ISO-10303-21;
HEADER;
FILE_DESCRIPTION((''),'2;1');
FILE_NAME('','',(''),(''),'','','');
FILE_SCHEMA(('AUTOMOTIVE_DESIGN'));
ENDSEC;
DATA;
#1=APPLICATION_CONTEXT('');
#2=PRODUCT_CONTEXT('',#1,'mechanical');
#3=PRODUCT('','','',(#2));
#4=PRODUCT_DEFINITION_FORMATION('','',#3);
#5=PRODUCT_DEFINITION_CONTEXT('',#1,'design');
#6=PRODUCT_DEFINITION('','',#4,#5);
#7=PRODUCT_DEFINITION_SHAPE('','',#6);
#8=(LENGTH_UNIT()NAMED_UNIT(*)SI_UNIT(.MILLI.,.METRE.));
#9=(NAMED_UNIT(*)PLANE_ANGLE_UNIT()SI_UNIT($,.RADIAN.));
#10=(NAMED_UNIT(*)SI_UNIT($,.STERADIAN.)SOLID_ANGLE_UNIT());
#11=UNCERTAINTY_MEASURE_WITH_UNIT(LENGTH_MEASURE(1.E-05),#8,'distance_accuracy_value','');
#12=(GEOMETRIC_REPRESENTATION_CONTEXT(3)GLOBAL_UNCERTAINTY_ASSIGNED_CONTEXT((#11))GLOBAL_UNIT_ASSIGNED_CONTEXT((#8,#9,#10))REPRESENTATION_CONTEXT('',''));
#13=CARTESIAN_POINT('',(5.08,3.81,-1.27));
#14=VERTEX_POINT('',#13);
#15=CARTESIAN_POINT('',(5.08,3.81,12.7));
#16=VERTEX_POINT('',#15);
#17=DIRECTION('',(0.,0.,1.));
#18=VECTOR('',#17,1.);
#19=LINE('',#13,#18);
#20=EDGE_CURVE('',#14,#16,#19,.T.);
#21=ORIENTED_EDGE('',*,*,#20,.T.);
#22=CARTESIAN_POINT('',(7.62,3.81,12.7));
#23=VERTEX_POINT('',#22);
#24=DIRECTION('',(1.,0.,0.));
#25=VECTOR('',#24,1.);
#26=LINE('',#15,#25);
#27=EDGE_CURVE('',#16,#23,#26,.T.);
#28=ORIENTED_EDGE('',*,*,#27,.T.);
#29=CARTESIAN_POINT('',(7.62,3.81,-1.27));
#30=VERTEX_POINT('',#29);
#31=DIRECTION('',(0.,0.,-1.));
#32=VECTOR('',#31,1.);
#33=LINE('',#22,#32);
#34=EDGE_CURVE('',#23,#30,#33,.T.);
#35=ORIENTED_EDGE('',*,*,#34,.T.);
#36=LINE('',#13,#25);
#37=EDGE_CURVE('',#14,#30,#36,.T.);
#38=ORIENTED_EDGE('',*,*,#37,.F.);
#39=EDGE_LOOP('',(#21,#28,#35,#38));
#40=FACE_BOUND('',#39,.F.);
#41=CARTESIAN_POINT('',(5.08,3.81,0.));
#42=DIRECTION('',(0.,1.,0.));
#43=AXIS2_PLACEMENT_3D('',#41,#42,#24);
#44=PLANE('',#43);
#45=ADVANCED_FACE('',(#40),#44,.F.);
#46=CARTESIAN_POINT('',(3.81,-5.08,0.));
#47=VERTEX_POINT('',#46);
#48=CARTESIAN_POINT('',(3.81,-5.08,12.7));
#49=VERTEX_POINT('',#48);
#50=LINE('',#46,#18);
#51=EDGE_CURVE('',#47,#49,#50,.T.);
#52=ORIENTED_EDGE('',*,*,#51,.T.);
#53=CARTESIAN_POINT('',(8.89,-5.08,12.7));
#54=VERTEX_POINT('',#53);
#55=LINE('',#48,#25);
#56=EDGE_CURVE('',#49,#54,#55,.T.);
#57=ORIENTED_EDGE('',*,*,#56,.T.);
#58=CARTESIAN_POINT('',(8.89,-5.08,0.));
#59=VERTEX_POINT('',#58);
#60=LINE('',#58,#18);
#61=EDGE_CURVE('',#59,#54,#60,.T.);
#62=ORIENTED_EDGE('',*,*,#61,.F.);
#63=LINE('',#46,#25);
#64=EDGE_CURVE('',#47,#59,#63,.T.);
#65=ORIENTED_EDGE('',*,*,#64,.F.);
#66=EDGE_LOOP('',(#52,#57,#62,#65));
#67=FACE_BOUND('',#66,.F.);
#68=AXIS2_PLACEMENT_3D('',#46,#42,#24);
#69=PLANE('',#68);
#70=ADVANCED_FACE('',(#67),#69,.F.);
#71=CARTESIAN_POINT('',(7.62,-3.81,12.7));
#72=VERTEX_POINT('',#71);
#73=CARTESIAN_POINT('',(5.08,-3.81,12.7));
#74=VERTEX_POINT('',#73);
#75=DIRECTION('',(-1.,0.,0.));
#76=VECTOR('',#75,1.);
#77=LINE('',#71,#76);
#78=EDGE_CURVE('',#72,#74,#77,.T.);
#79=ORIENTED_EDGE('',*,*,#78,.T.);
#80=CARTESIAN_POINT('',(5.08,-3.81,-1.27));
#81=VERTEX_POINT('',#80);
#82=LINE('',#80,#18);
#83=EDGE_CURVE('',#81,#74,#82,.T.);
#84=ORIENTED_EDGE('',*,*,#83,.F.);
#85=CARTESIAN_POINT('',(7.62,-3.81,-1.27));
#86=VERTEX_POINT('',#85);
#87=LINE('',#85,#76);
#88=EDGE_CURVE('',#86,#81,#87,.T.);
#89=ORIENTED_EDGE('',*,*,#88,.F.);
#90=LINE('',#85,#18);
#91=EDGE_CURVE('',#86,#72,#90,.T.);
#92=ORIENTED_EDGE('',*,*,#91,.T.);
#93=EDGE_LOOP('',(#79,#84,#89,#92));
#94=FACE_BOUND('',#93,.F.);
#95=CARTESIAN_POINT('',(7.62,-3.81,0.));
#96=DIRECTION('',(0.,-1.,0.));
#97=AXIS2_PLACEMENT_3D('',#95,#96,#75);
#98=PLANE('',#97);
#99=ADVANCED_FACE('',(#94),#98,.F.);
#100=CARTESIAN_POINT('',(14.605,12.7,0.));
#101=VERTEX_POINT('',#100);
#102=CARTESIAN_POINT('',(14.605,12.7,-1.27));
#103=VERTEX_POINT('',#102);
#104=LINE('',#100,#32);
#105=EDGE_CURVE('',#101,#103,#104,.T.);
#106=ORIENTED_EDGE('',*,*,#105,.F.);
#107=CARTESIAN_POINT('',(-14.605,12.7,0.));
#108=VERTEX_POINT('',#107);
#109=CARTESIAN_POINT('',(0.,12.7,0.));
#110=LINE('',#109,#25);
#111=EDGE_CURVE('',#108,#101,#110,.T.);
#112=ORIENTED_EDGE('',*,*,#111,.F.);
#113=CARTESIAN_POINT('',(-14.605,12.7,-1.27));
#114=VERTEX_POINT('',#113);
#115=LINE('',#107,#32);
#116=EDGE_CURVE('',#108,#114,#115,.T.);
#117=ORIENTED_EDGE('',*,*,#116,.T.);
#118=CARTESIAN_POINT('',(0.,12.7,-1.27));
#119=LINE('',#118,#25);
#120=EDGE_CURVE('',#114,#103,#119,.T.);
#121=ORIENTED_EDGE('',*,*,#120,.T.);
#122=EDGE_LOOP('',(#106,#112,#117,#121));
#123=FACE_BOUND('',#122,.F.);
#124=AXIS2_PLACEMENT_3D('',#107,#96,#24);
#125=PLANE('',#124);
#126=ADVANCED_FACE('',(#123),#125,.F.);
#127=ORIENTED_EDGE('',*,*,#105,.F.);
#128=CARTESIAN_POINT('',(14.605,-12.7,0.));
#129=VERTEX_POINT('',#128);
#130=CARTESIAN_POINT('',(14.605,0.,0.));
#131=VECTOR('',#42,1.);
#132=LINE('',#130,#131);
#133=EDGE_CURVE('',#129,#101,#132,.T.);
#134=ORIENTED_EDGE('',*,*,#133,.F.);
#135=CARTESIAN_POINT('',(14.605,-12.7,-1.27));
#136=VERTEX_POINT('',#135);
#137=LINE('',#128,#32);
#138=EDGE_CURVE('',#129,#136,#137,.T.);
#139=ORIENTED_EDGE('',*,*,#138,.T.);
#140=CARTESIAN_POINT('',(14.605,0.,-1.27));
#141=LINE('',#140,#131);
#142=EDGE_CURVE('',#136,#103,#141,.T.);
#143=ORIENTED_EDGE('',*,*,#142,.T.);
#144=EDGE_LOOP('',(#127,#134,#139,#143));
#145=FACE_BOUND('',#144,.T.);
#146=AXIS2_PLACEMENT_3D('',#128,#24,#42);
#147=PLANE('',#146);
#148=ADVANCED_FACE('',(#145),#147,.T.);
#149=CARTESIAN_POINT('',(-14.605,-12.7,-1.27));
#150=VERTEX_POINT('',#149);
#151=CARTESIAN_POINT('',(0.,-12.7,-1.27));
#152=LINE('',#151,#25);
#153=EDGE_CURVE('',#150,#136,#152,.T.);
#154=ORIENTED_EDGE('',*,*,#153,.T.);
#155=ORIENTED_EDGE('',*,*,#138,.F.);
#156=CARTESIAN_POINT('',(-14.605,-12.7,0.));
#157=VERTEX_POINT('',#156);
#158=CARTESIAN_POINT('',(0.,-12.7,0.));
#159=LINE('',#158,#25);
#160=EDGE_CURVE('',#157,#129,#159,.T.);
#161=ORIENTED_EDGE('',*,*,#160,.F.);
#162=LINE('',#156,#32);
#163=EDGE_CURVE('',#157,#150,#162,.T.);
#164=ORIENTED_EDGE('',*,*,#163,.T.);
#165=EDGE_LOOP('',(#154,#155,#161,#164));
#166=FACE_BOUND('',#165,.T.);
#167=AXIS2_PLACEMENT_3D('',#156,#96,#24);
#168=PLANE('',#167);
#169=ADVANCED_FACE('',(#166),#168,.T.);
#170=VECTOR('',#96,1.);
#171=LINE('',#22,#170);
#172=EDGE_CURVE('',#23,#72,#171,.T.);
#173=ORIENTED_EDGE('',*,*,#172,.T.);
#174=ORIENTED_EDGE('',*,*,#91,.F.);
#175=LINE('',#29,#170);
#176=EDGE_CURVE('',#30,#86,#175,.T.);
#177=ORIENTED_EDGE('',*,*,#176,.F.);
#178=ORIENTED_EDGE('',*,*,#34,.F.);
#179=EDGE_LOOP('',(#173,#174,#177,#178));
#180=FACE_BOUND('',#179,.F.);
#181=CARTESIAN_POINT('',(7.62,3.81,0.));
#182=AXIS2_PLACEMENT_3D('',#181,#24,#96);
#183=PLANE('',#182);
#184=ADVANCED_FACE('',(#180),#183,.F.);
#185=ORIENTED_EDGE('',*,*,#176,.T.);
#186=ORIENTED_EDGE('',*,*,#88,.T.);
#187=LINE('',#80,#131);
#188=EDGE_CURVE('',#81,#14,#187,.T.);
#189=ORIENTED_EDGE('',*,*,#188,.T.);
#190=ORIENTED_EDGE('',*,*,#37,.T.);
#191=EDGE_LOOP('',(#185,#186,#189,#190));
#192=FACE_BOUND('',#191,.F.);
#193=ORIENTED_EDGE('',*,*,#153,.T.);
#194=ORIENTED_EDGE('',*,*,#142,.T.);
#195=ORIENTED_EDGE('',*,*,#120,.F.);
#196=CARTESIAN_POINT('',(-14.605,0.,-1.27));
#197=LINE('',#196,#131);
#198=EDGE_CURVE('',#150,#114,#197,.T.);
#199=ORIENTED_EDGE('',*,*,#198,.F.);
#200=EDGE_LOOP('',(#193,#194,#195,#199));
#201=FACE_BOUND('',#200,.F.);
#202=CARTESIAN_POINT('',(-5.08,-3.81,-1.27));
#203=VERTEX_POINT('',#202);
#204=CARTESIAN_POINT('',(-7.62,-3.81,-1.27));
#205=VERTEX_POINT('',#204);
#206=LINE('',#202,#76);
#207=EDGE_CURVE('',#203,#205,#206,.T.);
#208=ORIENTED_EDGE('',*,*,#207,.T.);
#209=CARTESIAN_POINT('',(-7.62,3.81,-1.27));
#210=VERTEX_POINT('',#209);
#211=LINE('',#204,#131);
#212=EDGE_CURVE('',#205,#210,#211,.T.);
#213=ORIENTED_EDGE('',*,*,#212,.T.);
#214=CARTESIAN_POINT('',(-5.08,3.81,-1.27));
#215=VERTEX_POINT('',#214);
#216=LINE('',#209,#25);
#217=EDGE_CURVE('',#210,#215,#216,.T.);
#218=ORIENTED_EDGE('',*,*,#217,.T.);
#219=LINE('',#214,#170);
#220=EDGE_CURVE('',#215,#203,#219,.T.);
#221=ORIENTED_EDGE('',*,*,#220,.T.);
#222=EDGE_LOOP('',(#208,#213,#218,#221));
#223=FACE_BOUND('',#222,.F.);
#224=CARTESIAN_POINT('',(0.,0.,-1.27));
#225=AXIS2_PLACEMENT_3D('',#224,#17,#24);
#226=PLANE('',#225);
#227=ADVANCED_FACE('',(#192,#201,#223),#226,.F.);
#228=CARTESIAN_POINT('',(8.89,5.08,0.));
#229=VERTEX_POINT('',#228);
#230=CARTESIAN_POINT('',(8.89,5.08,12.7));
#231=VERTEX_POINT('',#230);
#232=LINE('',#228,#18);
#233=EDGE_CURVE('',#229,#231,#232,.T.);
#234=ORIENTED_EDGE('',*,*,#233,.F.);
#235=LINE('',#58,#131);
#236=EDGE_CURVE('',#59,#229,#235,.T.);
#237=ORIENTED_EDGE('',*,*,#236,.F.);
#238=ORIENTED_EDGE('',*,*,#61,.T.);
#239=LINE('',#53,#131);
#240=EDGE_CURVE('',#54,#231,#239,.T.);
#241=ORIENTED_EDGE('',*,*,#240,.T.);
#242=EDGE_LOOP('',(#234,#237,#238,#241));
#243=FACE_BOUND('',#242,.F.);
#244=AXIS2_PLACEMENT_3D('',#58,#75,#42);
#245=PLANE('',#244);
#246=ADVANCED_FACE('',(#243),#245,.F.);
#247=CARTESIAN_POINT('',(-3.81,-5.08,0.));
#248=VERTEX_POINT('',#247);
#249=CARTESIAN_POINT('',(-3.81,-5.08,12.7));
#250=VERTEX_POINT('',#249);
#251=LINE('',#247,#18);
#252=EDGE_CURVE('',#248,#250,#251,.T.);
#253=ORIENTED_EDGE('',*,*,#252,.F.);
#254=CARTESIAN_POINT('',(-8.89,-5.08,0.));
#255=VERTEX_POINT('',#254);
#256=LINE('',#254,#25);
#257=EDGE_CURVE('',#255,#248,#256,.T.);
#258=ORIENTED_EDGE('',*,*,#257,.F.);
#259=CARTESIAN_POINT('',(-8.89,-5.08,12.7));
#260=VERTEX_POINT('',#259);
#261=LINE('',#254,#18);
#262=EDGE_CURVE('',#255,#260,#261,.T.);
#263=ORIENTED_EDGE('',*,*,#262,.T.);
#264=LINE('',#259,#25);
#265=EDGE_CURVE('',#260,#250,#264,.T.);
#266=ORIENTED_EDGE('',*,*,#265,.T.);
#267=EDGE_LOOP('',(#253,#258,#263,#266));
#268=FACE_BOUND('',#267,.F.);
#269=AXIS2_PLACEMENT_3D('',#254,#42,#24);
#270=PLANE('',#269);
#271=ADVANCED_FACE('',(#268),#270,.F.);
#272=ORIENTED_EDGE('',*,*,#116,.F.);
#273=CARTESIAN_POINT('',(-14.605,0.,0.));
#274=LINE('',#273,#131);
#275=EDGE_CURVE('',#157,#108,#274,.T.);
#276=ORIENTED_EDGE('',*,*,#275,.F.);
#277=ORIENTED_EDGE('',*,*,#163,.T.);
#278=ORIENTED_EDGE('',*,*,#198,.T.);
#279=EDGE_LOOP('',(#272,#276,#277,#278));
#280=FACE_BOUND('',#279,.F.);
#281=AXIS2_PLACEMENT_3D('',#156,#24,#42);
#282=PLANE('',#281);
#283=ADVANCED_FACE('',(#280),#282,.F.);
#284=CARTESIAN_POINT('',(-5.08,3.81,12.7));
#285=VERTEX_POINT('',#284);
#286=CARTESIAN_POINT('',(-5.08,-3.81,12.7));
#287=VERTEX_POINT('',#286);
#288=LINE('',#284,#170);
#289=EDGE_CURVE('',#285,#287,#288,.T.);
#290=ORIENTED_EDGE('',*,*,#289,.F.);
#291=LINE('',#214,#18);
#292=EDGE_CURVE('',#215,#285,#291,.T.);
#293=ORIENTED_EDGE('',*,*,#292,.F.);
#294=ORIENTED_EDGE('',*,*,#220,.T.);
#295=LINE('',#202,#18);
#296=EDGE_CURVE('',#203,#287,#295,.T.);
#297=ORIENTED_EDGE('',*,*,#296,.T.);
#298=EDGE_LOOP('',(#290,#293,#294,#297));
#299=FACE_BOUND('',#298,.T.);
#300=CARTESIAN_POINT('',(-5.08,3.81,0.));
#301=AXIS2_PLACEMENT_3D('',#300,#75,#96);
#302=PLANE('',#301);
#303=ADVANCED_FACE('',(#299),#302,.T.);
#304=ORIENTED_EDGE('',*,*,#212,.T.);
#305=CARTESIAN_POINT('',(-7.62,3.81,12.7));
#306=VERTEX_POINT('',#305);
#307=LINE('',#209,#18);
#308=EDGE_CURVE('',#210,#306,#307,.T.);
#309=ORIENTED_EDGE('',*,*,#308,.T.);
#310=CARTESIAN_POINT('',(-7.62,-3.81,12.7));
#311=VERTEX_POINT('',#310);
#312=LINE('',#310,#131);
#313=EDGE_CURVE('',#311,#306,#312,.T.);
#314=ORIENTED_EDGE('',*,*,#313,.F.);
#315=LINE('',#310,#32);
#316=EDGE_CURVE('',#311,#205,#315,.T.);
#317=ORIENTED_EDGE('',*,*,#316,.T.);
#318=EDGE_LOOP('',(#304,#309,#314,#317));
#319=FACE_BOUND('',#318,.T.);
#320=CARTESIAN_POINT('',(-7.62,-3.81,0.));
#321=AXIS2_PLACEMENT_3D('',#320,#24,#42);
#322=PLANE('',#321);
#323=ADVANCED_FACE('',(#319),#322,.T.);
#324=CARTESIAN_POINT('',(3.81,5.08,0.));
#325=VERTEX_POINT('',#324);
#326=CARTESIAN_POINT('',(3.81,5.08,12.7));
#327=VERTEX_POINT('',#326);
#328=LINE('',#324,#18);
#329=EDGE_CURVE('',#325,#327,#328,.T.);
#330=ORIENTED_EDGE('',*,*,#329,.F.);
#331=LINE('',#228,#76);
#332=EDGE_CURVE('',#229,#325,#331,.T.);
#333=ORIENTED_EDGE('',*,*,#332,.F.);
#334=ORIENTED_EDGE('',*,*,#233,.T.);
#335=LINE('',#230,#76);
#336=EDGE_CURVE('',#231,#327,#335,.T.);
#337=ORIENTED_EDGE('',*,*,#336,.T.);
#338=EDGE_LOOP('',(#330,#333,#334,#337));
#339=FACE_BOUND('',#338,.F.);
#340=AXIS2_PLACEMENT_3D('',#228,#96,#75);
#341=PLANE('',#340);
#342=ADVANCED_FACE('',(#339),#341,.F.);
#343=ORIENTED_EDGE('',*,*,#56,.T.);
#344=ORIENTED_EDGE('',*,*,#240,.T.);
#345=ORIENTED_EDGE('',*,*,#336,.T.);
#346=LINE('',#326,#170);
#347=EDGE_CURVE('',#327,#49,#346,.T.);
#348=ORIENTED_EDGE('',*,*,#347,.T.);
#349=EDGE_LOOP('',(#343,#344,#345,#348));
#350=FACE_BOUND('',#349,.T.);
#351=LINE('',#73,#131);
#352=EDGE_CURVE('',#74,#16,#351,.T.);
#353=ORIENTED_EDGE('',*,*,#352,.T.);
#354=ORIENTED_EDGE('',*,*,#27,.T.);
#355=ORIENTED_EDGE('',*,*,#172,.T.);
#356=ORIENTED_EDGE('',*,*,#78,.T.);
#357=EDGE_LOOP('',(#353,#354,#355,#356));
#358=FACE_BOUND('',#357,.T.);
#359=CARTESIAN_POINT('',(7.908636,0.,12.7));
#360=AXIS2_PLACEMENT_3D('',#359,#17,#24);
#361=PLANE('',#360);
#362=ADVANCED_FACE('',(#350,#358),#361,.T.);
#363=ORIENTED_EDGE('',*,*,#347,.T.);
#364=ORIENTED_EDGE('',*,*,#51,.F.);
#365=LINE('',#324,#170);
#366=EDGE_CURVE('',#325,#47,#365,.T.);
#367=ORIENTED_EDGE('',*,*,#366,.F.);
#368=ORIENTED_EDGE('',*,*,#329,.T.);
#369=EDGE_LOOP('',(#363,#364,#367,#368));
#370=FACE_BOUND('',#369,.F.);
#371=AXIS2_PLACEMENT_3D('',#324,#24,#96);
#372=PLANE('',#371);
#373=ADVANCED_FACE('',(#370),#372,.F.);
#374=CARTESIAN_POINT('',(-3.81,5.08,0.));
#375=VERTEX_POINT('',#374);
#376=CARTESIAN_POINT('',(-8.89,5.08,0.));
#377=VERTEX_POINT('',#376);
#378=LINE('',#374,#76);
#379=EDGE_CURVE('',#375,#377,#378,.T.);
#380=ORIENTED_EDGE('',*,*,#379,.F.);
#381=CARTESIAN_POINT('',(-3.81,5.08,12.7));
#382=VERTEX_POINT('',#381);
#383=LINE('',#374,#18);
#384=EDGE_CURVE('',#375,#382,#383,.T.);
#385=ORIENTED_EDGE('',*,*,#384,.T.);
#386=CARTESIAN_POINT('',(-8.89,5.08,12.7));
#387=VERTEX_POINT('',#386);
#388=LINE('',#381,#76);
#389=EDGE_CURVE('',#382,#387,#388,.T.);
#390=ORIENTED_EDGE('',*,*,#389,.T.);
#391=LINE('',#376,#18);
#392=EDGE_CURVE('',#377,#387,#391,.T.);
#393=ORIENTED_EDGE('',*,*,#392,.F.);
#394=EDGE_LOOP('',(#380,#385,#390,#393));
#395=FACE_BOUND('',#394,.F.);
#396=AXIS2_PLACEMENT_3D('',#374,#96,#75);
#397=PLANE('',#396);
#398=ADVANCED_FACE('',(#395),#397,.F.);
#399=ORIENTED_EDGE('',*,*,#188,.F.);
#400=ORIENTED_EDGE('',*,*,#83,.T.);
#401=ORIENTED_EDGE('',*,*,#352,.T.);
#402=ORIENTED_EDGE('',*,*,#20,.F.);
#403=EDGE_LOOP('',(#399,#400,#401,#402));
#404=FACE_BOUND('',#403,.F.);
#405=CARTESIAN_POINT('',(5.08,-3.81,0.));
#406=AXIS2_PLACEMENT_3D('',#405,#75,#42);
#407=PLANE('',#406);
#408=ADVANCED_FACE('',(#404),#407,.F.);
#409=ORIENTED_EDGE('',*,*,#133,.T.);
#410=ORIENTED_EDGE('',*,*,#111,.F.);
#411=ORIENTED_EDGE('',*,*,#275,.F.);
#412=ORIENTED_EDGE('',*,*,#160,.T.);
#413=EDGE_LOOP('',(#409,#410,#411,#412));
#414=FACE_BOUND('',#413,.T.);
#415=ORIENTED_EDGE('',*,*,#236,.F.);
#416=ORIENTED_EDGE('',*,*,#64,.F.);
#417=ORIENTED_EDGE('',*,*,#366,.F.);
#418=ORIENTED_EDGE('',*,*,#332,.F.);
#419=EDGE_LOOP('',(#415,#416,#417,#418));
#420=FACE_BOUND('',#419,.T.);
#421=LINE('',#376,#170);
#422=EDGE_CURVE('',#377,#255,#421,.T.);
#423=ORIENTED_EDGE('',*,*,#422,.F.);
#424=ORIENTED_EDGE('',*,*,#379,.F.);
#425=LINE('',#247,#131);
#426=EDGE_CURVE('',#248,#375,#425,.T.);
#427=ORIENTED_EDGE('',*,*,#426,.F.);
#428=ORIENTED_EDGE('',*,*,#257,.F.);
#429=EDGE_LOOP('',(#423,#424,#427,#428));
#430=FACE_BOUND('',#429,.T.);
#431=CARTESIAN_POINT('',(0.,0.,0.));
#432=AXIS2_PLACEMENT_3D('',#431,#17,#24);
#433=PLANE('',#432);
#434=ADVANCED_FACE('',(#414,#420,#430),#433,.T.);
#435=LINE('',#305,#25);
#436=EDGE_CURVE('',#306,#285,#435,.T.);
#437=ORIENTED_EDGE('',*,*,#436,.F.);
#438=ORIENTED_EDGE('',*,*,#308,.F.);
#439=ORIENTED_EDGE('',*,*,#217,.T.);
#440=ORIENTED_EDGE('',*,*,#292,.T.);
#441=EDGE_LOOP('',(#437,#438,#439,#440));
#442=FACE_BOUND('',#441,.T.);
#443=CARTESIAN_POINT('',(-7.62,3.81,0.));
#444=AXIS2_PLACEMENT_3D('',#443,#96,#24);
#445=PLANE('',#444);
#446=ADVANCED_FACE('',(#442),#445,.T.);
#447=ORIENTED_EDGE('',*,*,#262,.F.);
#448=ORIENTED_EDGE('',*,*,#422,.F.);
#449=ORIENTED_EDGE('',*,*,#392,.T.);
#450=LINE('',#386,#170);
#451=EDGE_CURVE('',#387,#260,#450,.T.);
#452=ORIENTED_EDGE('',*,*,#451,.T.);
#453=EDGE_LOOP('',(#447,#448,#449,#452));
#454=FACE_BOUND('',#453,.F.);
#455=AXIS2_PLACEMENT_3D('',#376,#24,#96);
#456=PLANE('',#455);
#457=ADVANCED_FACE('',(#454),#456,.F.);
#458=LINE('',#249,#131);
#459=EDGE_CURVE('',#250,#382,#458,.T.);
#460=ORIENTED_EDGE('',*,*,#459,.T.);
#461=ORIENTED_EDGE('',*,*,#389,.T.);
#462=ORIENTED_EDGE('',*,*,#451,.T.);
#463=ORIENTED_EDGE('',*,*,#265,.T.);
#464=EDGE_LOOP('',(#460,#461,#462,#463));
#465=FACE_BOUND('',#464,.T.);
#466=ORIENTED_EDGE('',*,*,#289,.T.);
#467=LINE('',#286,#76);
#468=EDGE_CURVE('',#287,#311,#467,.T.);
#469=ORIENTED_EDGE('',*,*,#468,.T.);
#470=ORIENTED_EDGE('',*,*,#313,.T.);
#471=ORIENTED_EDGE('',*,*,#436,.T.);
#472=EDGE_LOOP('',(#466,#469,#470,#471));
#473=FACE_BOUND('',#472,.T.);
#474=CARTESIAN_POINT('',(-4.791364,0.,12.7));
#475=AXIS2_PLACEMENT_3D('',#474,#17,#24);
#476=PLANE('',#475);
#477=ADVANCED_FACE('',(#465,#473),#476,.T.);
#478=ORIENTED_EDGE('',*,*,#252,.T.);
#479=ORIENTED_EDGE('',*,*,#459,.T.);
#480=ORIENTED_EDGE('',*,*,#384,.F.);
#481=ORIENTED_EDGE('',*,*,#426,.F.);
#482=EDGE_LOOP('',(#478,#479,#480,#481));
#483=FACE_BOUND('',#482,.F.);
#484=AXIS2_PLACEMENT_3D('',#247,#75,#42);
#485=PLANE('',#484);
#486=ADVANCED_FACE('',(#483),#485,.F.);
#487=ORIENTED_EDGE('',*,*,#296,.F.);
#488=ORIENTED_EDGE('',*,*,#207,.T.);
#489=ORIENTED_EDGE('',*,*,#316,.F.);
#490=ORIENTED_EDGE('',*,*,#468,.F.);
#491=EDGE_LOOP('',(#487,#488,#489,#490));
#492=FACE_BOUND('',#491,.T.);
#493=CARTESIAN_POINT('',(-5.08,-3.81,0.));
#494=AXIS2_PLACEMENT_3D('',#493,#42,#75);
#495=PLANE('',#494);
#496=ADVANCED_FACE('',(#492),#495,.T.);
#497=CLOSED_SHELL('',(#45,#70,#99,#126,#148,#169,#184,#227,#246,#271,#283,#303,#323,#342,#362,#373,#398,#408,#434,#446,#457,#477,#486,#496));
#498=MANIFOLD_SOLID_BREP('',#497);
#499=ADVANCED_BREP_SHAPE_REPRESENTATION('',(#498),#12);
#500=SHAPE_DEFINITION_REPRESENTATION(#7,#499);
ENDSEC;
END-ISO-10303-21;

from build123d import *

# Parameters (mm, degrees)
F0_W     = 29.21
F0_H     = 25.4
F1_DEPTH = 1.27
F2_DEPTH = 12.7


with BuildPart() as f1:
    # F0 (on Top) → F1 (new body)
    with BuildSketch(Plane.XY):
        Rectangle(F0_W, F0_H)
        Polygon((6.35, -5.08), (6.35, -7.783156), (0, -7.783156), (-6.35, -7.783156), (-6.35, -5.08), (-8.89, -5.08), (-8.89, 5.08), (-6.35, 5.08), (-6.35, 7.783156), (0, 7.783156), (6.35, 7.783156), (6.35, 5.08), (8.89, 5.08), (8.89, -5.08), align=None, mode=Mode.SUBTRACT)
        Polygon((-6.35, -7.783156), (0, -7.783156), (0, 7.783156), (-6.35, 7.783156), (-6.35, 5.08), (-3.81, 5.08), (-3.81, -5.08), (-6.35, -5.08), align=None)
        Polygon((0, -7.783156), (6.35, -7.783156), (6.35, -5.08), (3.81, -5.08), (3.81, 5.08), (6.35, 5.08), (6.35, 7.783156), (0, 7.783156), align=None)
        Polygon((-8.89, -5.08), (-6.35, -5.08), (-6.35, -3.81), (-7.62, -3.81), (-7.62, 3.81), (-6.35, 3.81), (-6.35, 5.08), (-8.89, 5.08), align=None)
        Polygon((-6.35, -3.81), (-6.35, -5.08), (-3.81, -5.08), (-3.81, 5.08), (-6.35, 5.08), (-6.35, 3.81), (-5.08, 3.81), (-5.08, -3.81), align=None)
        Polygon((3.81, -5.08), (6.35, -5.08), (6.35, -3.81), (5.08, -3.81), (5.08, 3.81), (6.35, 3.81), (6.35, 5.08), (3.81, 5.08), align=None)
        Polygon((6.35, -3.81), (6.35, -5.08), (8.89, -5.08), (8.89, 5.08), (6.35, 5.08), (6.35, 3.81), (7.62, 3.81), (7.62, -3.81), align=None)
    extrude(amount=-F1_DEPTH)

    # F0 (on Top) → F2 (join)
    with BuildSketch(Plane.XY):
        Polygon((6.35, -3.81), (6.35, -5.08), (8.89, -5.08), (8.89, 5.08), (6.35, 5.08), (6.35, 3.81), (7.62, 3.81), (7.62, -3.81), align=None)
        Polygon((3.81, -5.08), (6.35, -5.08), (6.35, -3.81), (5.08, -3.81), (5.08, 3.81), (6.35, 3.81), (6.35, 5.08), (3.81, 5.08), align=None)
        Polygon((-6.35, -3.81), (-6.35, -5.08), (-3.81, -5.08), (-3.81, 5.08), (-6.35, 5.08), (-6.35, 3.81), (-5.08, 3.81), (-5.08, -3.81), align=None)
        Polygon((-8.89, -5.08), (-6.35, -5.08), (-6.35, -3.81), (-7.62, -3.81), (-7.62, 3.81), (-6.35, 3.81), (-6.35, 5.08), (-8.89, 5.08), align=None)
    extrude(amount=F2_DEPTH)


solid = f1.part
